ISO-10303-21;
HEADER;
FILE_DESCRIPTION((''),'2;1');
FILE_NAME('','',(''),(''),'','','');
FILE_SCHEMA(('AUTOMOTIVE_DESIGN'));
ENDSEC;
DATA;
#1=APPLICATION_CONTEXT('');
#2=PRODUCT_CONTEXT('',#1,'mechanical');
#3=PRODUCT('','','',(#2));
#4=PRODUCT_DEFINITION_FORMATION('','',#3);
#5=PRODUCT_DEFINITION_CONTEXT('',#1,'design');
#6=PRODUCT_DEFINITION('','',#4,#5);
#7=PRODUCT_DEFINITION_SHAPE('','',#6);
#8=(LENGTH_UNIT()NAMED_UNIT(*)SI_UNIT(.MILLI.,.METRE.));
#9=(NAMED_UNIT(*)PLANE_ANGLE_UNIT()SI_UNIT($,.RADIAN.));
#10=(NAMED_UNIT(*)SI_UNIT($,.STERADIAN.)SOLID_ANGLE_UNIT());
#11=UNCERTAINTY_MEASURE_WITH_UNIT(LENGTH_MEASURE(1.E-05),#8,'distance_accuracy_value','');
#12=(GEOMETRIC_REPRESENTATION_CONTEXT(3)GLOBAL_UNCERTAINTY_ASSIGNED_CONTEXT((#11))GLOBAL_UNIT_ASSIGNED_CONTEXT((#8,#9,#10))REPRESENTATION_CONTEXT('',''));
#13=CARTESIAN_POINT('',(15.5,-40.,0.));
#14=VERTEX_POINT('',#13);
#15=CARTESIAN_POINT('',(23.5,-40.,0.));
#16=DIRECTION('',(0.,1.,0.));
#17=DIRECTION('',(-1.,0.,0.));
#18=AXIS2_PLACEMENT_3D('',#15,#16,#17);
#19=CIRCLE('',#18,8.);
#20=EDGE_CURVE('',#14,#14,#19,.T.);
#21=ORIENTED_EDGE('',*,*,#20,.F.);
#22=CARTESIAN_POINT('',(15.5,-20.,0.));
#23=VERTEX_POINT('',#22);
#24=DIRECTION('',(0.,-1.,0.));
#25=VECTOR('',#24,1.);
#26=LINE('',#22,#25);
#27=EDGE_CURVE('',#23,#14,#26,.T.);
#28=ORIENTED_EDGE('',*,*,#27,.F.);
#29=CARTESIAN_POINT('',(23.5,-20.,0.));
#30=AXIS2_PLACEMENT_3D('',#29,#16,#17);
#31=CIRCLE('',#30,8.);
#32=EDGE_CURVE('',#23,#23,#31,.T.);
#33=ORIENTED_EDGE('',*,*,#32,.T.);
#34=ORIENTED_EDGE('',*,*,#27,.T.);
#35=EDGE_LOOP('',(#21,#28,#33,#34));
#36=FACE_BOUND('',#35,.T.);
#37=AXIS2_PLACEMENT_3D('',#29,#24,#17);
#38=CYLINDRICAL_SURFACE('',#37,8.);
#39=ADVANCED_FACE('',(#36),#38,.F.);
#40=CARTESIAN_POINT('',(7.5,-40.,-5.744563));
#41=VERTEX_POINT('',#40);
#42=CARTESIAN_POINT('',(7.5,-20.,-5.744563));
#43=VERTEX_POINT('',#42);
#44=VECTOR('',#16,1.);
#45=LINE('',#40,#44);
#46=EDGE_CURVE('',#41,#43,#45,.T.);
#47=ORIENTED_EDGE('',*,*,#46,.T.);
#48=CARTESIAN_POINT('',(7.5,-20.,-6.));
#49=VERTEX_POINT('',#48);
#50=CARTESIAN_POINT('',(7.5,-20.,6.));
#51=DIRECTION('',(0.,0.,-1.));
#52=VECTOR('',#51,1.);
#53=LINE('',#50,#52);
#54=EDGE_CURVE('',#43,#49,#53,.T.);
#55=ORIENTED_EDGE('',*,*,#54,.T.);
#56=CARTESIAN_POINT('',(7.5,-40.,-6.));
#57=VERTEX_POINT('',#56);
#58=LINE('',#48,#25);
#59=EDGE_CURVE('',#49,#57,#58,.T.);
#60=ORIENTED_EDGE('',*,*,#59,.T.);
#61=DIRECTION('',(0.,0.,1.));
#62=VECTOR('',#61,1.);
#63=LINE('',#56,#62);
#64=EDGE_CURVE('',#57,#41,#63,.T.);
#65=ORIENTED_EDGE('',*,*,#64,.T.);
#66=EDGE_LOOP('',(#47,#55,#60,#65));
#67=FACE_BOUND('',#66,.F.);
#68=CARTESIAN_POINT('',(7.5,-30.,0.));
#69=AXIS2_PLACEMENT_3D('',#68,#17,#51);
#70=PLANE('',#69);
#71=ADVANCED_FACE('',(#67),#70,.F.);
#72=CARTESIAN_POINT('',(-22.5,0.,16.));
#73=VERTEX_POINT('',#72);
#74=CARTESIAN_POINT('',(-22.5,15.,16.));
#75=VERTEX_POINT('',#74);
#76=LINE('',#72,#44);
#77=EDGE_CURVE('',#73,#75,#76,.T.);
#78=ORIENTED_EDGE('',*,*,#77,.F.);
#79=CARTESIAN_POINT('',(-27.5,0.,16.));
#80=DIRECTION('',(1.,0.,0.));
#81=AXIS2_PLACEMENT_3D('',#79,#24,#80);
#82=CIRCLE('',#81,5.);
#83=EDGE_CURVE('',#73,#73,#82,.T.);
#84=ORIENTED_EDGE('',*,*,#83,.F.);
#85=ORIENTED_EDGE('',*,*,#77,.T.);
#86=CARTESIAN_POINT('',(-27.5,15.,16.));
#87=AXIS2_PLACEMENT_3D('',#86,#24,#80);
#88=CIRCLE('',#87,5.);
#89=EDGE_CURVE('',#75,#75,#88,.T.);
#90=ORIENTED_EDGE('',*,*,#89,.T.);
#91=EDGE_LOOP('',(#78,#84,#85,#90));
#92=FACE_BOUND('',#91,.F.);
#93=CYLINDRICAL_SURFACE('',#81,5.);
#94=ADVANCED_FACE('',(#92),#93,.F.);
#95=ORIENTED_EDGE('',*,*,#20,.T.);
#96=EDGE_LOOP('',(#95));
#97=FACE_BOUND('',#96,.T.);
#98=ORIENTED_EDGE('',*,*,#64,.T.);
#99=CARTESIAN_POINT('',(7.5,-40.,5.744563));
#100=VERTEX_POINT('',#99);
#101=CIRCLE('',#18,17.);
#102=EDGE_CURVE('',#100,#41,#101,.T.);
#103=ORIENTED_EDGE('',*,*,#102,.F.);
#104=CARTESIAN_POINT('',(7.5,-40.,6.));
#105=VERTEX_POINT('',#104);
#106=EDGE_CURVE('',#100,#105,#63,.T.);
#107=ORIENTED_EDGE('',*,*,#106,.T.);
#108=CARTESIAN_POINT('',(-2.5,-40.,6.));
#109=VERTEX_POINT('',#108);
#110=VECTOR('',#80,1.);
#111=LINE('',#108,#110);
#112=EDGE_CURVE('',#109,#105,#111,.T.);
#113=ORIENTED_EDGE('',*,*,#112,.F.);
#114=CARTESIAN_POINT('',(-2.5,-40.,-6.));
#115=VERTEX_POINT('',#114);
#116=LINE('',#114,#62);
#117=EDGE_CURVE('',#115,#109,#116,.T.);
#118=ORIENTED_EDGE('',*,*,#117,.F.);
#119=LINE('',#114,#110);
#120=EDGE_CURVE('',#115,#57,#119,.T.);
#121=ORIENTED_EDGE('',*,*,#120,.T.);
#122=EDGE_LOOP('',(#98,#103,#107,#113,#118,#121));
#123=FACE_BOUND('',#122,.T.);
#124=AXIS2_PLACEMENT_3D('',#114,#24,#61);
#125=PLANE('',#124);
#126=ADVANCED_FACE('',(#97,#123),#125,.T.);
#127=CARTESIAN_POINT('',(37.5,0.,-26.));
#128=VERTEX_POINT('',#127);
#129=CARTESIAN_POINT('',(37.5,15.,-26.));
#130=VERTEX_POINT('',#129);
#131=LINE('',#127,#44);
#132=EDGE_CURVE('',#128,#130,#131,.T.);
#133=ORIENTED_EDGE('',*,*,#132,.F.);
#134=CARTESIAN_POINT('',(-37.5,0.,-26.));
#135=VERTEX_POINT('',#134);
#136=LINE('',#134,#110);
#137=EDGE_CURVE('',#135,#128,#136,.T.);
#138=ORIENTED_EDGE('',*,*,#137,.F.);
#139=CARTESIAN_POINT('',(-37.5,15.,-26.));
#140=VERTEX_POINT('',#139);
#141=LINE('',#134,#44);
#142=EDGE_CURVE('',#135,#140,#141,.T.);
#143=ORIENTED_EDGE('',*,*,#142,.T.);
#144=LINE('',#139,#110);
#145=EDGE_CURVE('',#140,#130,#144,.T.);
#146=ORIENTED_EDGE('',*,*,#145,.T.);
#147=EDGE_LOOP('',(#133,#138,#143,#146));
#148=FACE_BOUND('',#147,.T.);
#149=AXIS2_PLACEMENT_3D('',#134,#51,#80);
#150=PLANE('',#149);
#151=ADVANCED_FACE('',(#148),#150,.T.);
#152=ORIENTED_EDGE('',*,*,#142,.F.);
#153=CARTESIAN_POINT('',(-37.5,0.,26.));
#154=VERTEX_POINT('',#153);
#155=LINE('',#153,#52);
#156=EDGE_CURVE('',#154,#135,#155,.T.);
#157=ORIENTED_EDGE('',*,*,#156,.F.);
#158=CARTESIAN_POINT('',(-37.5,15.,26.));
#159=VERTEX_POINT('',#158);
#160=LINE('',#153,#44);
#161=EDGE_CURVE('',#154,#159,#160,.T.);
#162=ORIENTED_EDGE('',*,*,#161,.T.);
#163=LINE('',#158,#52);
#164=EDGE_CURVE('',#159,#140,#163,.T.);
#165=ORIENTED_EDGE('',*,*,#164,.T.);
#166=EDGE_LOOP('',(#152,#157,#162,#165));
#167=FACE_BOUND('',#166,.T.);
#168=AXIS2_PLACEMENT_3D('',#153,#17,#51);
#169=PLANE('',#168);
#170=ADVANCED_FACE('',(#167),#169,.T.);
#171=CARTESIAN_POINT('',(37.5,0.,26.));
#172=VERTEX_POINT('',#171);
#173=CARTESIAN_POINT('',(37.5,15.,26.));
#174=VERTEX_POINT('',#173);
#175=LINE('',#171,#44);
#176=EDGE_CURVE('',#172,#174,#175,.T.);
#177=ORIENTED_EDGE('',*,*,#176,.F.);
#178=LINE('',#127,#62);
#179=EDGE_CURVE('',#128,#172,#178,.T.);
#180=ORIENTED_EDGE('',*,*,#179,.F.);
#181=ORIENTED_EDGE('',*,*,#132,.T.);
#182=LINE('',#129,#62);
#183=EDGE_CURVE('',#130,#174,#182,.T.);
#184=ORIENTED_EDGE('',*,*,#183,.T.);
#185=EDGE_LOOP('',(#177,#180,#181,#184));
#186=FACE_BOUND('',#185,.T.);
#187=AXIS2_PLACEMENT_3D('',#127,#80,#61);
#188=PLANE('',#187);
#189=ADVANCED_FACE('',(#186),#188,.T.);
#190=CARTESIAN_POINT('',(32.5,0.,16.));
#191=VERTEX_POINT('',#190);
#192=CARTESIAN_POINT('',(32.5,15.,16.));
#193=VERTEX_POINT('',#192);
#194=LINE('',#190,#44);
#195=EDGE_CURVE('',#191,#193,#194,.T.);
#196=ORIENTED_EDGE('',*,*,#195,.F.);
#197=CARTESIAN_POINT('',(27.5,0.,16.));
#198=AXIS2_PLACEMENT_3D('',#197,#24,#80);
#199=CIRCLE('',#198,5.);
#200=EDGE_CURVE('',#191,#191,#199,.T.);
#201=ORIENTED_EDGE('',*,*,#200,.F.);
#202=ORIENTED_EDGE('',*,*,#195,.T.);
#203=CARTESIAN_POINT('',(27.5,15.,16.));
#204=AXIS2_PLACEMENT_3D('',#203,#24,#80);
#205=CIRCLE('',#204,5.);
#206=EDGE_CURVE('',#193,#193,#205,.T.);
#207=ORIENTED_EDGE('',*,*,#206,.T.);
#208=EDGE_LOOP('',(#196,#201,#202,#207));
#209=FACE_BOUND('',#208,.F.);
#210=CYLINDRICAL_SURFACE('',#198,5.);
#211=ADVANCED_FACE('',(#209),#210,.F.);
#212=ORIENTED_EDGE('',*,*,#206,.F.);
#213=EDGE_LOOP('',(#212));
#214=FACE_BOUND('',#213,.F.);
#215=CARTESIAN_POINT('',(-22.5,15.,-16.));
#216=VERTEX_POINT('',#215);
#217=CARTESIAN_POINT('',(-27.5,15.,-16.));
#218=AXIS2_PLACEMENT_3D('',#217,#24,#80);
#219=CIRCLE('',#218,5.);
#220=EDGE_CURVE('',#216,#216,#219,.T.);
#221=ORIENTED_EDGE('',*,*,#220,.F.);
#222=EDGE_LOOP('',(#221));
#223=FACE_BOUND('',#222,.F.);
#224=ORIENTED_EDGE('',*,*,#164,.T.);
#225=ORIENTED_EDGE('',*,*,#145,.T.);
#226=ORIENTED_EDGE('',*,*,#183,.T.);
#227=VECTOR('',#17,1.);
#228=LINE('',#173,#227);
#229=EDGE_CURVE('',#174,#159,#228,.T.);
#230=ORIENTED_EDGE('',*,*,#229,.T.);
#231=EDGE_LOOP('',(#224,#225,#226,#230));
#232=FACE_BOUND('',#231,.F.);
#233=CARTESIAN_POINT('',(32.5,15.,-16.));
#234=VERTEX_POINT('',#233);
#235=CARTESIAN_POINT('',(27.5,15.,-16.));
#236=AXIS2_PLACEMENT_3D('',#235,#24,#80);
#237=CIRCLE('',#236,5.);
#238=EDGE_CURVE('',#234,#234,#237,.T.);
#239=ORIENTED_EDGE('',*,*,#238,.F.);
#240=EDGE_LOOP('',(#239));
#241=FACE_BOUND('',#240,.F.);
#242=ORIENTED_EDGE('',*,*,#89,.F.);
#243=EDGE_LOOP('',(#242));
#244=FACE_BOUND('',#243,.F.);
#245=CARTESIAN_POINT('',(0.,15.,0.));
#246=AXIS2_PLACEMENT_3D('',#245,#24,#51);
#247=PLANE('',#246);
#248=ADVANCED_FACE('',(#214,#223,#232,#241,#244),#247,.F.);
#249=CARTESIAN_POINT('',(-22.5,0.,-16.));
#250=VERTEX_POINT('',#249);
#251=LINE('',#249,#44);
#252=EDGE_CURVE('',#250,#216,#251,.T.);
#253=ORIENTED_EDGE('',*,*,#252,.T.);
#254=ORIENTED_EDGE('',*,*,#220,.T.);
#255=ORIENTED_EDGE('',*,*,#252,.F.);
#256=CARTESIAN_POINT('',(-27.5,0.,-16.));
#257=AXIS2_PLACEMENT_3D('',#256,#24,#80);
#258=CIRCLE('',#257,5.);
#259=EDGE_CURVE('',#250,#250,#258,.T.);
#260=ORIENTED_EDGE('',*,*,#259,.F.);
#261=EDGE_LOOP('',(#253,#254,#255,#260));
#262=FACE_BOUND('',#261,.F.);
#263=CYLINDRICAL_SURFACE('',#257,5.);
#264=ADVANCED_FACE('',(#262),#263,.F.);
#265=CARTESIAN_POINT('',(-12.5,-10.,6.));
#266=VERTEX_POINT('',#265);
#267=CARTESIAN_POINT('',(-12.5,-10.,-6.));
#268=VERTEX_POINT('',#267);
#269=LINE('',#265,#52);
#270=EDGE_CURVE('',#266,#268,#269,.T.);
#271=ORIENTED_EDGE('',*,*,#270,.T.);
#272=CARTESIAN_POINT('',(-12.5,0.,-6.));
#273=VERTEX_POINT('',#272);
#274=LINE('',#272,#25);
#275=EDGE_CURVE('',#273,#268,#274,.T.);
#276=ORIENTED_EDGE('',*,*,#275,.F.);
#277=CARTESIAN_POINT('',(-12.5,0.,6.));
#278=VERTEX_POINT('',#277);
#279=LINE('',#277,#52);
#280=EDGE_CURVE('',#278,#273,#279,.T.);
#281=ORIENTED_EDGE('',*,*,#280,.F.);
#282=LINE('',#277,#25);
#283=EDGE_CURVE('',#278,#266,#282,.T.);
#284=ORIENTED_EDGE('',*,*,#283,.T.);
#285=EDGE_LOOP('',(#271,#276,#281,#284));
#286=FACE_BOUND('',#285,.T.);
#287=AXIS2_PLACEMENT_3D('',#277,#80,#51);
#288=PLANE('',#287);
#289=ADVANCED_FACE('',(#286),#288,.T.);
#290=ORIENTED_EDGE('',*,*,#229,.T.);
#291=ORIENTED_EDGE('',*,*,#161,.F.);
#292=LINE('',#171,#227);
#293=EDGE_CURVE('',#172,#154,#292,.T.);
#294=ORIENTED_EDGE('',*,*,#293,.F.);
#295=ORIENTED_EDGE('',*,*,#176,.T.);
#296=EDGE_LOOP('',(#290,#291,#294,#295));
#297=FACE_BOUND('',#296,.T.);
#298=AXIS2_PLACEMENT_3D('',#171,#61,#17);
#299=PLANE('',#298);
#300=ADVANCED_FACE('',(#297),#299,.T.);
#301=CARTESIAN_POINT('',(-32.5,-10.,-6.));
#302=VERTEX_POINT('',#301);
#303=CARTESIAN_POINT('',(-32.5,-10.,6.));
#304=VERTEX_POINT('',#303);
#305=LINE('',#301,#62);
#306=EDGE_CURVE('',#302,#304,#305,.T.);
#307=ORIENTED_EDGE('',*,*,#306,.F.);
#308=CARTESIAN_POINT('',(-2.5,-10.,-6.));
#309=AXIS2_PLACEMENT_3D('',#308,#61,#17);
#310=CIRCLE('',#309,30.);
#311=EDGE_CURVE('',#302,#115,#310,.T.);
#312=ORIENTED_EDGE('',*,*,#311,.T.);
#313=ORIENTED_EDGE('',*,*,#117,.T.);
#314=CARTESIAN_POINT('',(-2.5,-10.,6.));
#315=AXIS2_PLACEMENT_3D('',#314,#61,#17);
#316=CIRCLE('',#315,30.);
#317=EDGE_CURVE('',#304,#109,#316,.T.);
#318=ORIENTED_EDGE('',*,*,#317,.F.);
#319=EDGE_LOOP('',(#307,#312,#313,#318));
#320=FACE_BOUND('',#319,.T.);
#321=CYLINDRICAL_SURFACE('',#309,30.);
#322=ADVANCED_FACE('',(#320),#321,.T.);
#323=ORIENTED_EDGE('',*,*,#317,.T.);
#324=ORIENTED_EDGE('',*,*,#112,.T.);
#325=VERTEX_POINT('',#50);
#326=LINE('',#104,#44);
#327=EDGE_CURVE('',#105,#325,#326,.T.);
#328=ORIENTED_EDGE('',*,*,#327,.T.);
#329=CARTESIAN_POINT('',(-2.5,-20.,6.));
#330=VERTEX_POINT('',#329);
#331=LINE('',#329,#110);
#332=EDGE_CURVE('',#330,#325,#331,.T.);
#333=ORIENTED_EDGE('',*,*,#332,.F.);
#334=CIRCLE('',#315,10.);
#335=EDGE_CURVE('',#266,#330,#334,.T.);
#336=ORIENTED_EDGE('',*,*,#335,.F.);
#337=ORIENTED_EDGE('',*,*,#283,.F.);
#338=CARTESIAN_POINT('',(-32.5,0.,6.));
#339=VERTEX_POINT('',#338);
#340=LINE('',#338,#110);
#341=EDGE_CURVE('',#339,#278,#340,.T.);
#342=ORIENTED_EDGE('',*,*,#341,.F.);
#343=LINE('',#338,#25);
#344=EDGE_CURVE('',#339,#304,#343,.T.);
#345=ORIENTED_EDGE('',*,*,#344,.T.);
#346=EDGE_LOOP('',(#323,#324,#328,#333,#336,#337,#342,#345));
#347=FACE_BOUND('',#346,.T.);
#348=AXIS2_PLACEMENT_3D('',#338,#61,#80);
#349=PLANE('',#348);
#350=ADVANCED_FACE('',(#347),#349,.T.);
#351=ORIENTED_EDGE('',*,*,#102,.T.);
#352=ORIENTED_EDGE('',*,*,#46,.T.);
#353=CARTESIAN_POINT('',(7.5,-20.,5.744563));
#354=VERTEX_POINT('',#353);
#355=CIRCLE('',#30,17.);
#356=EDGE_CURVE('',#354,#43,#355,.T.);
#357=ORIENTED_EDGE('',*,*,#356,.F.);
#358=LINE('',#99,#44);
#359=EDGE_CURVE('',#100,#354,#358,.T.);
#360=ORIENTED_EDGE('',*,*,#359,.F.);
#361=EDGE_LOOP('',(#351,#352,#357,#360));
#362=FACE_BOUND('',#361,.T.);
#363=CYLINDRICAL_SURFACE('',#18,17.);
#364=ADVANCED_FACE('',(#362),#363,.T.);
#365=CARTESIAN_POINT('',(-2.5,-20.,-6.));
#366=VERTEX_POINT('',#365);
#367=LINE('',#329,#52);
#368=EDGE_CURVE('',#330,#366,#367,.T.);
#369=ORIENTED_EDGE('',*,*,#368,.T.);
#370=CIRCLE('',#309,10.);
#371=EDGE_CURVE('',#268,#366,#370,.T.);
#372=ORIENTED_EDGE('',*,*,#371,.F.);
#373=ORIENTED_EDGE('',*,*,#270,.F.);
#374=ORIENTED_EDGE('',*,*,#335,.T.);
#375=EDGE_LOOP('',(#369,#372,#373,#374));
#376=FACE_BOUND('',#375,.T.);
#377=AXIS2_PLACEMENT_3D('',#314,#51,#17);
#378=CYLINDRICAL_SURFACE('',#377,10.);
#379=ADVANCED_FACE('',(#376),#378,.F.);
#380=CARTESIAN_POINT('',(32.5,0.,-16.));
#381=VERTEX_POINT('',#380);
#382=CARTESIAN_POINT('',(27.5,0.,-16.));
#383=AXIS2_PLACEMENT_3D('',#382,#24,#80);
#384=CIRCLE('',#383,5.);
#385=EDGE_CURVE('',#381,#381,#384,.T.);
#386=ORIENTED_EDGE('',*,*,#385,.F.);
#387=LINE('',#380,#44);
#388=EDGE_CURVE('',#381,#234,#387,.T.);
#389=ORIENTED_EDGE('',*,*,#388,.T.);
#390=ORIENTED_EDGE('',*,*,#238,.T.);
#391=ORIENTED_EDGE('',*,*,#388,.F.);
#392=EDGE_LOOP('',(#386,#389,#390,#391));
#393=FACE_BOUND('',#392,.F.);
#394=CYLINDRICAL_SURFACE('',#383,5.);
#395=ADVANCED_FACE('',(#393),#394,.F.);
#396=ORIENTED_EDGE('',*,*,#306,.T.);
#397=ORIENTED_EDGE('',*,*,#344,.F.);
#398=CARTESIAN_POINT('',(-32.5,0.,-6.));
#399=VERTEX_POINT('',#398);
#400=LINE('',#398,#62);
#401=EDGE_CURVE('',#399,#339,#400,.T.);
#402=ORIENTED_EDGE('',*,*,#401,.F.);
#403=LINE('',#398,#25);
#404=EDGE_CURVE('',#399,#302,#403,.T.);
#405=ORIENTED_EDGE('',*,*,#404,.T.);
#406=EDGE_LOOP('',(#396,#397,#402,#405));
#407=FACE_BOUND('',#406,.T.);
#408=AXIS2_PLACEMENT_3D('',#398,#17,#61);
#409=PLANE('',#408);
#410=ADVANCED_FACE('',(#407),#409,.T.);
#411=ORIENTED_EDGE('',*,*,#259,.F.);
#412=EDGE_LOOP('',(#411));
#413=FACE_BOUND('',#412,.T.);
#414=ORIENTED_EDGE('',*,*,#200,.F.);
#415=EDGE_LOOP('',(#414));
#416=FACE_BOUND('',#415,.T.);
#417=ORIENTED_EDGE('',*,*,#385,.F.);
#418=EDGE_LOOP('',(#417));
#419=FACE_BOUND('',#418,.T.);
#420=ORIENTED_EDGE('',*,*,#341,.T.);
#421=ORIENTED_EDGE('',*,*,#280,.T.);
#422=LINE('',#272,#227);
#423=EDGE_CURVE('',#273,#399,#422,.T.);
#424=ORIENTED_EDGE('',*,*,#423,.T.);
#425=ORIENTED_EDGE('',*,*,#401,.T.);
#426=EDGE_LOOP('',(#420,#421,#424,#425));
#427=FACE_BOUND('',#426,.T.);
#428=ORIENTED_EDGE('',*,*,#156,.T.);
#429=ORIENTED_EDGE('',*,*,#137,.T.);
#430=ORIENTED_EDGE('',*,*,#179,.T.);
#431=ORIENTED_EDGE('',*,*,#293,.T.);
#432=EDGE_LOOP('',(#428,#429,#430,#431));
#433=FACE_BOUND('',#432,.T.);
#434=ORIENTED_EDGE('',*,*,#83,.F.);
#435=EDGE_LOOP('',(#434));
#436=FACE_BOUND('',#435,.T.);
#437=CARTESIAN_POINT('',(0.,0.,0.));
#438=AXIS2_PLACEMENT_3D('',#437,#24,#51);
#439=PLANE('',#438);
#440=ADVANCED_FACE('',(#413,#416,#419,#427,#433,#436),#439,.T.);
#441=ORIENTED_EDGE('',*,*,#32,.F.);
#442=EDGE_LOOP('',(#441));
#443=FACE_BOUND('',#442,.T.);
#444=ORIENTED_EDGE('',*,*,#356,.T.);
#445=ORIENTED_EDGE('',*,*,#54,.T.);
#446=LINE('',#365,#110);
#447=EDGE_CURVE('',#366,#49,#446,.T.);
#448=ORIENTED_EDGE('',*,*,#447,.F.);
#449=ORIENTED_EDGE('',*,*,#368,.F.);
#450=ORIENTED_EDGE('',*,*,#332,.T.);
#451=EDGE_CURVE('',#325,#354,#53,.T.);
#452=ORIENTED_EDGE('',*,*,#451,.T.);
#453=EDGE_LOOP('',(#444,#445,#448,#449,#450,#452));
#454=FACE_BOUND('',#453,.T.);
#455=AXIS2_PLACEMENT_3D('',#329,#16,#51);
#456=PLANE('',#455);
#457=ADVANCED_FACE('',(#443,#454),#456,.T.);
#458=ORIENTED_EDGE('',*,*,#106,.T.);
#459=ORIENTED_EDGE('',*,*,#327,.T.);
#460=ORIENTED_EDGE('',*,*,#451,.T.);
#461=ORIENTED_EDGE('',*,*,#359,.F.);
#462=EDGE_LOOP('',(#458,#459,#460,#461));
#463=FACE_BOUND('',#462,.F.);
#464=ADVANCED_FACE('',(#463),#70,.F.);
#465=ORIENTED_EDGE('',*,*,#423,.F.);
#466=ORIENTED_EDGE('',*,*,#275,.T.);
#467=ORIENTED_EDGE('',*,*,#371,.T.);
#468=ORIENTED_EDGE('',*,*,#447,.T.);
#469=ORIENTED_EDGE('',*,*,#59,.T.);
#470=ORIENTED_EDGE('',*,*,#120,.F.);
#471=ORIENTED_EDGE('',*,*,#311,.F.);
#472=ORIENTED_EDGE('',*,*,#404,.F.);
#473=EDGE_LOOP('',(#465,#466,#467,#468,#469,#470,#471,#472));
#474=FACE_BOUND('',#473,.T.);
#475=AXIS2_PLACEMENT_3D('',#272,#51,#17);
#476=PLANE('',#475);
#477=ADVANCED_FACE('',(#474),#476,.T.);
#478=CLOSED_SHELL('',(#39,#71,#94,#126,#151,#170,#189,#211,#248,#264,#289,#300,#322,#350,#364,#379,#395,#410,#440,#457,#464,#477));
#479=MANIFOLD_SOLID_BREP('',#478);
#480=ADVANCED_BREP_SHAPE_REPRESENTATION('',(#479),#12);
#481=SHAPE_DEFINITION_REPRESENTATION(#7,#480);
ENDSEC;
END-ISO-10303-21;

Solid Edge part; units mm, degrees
sketch "Sketch1" plane through (0, 0, 0) normal (0, -1, 0) x (1, 0, 0)
  line L0 (37.5, 26) -> (-37.5, 26)
  line L1 (-37.5, 26) -> (-37.5, -26)
  line L2 (-37.5, -26) -> (37.5, -26)
  line L3 (37.5, -26) -> (37.5, 26)
extrude "Protrusion1" add sketch "Sketch1" against normal blind 15
sketch "Sketch2" plane through (0, 0, 0) normal (0, -1, 0) x (1, 0, 0)
  circle A0 centre (-27.5, 16) radius 5
  circle A1 centre (27.5, 16) radius 5
  circle A2 centre (27.5, -16) radius 5
  circle A3 centre (-27.5, -16) radius 5
extrude "Cutout1" cut sketch "Sketch2" against normal up to next
sketch "Sketch3" plane through (0, 0, 0) normal (0, -1, 0) x (1, 0, 0)
  line L0 (-32.5, 6) -> (-12.5, 6)
  line L1 (-12.5, 6) -> (-12.5, -6)
  line L2 (-12.5, -6) -> (-32.5, -6)
  line L3 (-32.5, -6) -> (-32.5, 6)
extrude "ExtrudedProtrusion_3" add sketch "Sketch3" along normal blind 10
sketch "Sketch4" plane through (-22.5, -10, 0) normal (0, -1, 0) x (1, 0, 0)
  line L0 (-10, 6) -> (10, 6)
  line L1 (10, 6) -> (10, -6)
  line L2 (10, -6) -> (-10, -6)
  line L3 (-10, -6) -> (-10, 6)
revolve "RevolvedProtrusion_2" add sketch "Sketch4" angle 90 about axis through (-2.5, -10, -6) along (0, 0, 1)
sketch "Sketch5" plane through (-2.5, -30, 0) normal (1, 0, 0) x (0, 0, 1)
  line L0 (-6, 10) -> (6, 10)
  line L1 (6, 10) -> (6, -10)
  line L2 (6, -10) -> (-6, -10)
  line L3 (-6, -10) -> (-6, 10)
extrude "ExtrudedProtrusion_4" add sketch "Sketch5" along normal blind 10
sketch "Sketch6" plane through (-12.5, -20, 0) normal (0, 0, -1) x (0, -1, 0)
  line L0 (20, -28) -> (20, -19)
  line L1 (20, -19) -> (0, -19)
  line L2 (0, -19) -> (0, -20)
  line L3 (0, -20) -> (0, -28)
  line L4 (0, -28) -> (20, -28)
revolve "RevolvedProtrusion1" add sketch "Sketch6" angle 360 about axis through (23.5, -40, 0) along (0, 1, 0)
